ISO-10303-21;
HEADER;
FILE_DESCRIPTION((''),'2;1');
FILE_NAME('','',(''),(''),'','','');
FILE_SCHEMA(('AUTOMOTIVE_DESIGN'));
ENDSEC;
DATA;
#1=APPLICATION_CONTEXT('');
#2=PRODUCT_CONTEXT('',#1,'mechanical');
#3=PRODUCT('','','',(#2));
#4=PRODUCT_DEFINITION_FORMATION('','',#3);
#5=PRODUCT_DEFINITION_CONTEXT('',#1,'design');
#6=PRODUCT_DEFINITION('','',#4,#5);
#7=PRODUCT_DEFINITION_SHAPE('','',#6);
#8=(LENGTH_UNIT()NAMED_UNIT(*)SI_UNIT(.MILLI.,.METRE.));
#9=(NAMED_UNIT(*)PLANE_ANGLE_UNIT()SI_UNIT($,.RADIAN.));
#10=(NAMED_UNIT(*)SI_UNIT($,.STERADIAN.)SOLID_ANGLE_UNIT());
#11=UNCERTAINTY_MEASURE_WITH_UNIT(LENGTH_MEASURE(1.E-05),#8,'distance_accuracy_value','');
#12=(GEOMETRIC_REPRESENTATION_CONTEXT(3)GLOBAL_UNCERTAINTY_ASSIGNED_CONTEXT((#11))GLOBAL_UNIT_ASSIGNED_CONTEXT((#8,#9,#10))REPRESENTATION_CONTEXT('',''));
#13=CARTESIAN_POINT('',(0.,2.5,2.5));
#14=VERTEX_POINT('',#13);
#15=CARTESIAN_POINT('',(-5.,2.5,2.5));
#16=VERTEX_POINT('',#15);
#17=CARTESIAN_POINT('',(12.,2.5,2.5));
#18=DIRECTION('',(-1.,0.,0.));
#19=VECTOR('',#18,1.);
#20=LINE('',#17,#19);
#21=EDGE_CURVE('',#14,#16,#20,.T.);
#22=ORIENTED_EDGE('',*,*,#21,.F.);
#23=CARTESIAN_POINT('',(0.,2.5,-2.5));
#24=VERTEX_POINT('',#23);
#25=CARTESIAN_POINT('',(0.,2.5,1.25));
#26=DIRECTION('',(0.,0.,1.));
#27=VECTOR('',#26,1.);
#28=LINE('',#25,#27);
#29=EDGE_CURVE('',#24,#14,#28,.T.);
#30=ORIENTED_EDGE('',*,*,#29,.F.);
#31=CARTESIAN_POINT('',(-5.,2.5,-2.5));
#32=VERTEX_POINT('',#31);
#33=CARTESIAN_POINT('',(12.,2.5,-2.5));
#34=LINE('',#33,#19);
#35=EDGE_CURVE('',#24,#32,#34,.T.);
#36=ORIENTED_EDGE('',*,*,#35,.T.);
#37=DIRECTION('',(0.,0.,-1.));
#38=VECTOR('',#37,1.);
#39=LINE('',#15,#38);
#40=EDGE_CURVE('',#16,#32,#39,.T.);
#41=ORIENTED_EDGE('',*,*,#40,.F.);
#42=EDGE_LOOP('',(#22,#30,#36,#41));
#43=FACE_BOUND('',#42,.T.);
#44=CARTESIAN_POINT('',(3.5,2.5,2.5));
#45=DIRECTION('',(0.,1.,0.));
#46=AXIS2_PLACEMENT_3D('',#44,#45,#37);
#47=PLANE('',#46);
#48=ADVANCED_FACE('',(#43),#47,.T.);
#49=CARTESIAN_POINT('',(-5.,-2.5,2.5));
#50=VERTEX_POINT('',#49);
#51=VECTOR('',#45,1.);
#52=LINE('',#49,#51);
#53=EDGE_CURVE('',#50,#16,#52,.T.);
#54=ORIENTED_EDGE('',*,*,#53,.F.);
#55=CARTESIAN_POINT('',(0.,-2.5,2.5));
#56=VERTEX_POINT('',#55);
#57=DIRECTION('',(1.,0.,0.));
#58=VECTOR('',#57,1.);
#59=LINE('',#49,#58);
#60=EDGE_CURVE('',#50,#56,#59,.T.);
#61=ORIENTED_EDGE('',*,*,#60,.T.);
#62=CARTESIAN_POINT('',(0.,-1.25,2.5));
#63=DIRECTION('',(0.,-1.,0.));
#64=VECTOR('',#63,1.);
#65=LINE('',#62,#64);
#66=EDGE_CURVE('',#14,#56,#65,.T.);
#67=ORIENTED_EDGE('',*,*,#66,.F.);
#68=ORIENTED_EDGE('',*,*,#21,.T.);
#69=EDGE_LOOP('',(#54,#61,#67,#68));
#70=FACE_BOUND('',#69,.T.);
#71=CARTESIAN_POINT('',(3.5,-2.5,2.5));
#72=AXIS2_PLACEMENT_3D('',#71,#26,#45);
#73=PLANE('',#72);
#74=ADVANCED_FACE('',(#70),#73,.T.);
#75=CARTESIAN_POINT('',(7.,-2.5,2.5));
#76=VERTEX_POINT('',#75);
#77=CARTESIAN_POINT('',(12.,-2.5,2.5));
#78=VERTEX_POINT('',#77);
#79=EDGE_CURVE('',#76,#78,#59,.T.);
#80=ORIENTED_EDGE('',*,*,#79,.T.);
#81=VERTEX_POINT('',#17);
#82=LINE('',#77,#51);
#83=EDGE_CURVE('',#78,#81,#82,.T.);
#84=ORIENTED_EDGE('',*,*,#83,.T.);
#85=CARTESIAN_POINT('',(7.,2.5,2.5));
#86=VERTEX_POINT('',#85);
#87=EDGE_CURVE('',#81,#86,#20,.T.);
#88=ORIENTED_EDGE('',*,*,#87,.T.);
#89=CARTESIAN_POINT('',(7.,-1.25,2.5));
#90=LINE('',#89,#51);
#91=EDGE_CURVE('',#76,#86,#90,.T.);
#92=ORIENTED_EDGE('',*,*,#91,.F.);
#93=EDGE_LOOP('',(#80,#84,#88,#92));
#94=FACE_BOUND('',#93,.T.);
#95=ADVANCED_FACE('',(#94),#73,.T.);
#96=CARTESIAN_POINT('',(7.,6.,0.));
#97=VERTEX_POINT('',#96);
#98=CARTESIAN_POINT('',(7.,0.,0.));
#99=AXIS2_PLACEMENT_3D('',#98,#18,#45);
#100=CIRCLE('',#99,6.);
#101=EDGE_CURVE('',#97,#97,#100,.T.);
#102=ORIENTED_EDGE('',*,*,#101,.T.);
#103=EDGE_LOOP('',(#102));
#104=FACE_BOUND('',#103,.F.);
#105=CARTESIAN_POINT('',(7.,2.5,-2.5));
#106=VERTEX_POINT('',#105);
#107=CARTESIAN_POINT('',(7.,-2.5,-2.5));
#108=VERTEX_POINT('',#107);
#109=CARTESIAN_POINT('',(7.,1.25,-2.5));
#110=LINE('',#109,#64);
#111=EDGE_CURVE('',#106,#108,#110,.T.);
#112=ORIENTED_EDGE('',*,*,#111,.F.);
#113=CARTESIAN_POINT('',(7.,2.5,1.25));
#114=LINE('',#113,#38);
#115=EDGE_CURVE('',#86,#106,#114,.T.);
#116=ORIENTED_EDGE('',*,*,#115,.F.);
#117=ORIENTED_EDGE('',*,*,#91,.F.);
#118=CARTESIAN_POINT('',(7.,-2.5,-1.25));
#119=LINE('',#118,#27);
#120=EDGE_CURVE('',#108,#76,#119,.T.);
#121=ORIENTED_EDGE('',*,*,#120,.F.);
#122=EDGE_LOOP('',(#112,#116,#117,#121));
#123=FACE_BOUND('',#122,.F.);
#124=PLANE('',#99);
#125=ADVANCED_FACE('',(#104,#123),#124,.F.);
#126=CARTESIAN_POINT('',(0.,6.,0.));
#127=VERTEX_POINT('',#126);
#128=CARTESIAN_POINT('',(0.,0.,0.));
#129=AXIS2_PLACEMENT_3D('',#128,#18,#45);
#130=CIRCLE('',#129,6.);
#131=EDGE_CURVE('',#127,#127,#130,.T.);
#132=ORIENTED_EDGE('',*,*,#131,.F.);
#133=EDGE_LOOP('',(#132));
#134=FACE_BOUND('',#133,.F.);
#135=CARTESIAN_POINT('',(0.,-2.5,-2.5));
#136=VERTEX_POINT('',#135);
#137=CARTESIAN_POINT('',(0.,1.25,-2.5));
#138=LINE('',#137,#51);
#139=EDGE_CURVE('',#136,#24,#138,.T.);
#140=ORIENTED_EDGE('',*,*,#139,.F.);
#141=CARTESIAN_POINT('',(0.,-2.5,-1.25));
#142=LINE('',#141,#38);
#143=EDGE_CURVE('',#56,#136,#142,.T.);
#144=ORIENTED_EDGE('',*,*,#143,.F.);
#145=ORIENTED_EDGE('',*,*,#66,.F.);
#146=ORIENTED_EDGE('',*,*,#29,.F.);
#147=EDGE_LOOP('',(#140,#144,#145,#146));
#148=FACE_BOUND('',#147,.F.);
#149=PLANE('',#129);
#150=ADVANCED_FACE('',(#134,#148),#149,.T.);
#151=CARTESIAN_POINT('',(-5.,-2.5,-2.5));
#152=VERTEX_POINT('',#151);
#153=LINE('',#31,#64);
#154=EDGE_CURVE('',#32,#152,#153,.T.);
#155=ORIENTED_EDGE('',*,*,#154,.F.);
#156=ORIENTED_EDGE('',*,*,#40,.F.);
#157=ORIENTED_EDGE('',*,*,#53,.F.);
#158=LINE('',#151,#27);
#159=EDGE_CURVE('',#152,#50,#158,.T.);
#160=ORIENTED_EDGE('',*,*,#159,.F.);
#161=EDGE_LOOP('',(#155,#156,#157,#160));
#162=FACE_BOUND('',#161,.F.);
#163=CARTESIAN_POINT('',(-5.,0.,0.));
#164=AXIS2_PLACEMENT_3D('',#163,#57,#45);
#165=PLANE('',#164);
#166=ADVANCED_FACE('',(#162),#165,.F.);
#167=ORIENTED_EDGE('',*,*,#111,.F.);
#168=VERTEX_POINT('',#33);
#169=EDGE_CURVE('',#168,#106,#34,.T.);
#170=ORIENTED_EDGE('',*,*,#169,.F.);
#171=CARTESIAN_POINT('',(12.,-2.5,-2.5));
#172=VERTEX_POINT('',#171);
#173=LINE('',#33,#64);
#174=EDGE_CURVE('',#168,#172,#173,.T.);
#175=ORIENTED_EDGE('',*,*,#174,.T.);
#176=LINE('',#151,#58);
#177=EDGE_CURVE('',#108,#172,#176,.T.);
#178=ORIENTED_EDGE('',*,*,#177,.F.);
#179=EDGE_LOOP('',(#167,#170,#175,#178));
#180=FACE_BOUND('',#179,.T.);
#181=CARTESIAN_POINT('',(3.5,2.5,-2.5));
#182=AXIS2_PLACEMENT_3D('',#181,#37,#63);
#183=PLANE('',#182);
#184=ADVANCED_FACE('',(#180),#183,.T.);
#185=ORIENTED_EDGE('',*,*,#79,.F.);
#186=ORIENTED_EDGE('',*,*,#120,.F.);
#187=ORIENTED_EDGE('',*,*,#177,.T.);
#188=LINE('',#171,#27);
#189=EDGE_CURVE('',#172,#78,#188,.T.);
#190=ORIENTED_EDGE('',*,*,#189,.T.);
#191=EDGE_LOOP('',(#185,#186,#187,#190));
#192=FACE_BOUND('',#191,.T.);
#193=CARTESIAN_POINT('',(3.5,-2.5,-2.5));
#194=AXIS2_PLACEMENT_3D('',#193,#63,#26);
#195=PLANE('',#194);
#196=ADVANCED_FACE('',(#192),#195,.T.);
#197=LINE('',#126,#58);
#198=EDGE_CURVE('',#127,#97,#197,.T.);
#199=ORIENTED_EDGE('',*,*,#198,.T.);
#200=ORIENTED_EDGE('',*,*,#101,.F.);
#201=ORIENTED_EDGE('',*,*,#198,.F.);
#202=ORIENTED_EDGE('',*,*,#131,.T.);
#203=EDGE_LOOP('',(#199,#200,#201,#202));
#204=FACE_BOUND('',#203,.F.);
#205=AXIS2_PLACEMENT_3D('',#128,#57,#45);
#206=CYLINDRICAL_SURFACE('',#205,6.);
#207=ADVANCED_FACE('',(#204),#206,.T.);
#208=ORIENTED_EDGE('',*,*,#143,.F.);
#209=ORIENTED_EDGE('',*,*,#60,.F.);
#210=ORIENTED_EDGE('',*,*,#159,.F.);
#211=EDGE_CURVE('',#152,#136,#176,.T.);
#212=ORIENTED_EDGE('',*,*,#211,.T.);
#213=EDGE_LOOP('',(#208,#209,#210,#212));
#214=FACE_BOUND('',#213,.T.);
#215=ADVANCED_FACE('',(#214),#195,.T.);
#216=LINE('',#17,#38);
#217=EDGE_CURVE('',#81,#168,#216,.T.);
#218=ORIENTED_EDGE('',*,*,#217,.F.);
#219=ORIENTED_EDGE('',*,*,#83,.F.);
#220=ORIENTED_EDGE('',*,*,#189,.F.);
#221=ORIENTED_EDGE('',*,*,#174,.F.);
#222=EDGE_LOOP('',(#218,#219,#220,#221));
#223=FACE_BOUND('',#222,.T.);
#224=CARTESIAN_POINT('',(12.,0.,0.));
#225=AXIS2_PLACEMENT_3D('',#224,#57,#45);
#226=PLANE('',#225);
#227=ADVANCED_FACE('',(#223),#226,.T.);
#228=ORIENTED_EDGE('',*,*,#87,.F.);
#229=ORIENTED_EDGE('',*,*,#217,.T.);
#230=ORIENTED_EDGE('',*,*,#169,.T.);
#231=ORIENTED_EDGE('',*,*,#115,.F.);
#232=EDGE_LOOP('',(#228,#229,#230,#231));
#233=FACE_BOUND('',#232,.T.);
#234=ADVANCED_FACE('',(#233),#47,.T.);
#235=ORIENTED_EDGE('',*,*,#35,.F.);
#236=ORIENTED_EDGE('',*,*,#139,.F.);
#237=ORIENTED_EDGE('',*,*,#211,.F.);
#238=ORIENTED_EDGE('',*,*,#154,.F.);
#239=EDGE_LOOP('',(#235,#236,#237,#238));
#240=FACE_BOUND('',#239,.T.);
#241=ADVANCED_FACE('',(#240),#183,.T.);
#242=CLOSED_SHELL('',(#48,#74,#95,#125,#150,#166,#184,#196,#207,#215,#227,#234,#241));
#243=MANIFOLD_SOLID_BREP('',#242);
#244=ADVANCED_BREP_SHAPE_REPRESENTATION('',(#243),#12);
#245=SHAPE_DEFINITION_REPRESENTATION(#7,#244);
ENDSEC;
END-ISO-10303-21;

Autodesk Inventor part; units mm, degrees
ref_plane "XZ Plane" through (0, 0, 0) normal (0, 1, 0) x (-1, 0, 0)
ref_plane "XY Plane" through (0, 0, 0) normal (0, 0, 1) x (1, 0, 0)
sketch "Sketch1" plane through (0, 0, 0) normal (0, 0, 1) x (1, 0, 0)
  line L0 (0, 0) -> (0, 6)
  line L1 (0, 6) -> (7, 6)
  line L2 (7, 6) -> (7, 0)
  line L3 (7, 0) -> (0, 0)
  dimension "d0" = 12
  dimension "d1" = 7
revolve "Revolution1" add sketch "Sketch1" angle 360 about axis through (7, 0, 0) along (-1, 0, 0)
ref_plane "Work Plane1" through (3.5, 0, 0) normal (1, 0, 0) x (0, 1, 0)
sketch "Sketch2" plane through (3.5, 0, 0) normal (1, 0, 0) x (0, 1, 0)
  line L0 (-2.5, 2.5) -> (2.5, 2.5)
  line L1 (2.5, 2.5) -> (2.5, -2.5)
  line L2 (2.5, -2.5) -> (-2.5, -2.5)
  line L3 (-2.5, -2.5) -> (-2.5, 2.5)
  line L4 (-2.5, 2.5) -> (2.5, -2.5) construction
  line L5 (2.5, 2.5) -> (-2.5, -2.5) construction
  point P0 (0, 0)
  dimension "d3" = 5
  dimension "d4" = 5
extrude "Extrusion1" add sketch "Sketch2" along normal mid plane 17
properties part number "210 part 3"
